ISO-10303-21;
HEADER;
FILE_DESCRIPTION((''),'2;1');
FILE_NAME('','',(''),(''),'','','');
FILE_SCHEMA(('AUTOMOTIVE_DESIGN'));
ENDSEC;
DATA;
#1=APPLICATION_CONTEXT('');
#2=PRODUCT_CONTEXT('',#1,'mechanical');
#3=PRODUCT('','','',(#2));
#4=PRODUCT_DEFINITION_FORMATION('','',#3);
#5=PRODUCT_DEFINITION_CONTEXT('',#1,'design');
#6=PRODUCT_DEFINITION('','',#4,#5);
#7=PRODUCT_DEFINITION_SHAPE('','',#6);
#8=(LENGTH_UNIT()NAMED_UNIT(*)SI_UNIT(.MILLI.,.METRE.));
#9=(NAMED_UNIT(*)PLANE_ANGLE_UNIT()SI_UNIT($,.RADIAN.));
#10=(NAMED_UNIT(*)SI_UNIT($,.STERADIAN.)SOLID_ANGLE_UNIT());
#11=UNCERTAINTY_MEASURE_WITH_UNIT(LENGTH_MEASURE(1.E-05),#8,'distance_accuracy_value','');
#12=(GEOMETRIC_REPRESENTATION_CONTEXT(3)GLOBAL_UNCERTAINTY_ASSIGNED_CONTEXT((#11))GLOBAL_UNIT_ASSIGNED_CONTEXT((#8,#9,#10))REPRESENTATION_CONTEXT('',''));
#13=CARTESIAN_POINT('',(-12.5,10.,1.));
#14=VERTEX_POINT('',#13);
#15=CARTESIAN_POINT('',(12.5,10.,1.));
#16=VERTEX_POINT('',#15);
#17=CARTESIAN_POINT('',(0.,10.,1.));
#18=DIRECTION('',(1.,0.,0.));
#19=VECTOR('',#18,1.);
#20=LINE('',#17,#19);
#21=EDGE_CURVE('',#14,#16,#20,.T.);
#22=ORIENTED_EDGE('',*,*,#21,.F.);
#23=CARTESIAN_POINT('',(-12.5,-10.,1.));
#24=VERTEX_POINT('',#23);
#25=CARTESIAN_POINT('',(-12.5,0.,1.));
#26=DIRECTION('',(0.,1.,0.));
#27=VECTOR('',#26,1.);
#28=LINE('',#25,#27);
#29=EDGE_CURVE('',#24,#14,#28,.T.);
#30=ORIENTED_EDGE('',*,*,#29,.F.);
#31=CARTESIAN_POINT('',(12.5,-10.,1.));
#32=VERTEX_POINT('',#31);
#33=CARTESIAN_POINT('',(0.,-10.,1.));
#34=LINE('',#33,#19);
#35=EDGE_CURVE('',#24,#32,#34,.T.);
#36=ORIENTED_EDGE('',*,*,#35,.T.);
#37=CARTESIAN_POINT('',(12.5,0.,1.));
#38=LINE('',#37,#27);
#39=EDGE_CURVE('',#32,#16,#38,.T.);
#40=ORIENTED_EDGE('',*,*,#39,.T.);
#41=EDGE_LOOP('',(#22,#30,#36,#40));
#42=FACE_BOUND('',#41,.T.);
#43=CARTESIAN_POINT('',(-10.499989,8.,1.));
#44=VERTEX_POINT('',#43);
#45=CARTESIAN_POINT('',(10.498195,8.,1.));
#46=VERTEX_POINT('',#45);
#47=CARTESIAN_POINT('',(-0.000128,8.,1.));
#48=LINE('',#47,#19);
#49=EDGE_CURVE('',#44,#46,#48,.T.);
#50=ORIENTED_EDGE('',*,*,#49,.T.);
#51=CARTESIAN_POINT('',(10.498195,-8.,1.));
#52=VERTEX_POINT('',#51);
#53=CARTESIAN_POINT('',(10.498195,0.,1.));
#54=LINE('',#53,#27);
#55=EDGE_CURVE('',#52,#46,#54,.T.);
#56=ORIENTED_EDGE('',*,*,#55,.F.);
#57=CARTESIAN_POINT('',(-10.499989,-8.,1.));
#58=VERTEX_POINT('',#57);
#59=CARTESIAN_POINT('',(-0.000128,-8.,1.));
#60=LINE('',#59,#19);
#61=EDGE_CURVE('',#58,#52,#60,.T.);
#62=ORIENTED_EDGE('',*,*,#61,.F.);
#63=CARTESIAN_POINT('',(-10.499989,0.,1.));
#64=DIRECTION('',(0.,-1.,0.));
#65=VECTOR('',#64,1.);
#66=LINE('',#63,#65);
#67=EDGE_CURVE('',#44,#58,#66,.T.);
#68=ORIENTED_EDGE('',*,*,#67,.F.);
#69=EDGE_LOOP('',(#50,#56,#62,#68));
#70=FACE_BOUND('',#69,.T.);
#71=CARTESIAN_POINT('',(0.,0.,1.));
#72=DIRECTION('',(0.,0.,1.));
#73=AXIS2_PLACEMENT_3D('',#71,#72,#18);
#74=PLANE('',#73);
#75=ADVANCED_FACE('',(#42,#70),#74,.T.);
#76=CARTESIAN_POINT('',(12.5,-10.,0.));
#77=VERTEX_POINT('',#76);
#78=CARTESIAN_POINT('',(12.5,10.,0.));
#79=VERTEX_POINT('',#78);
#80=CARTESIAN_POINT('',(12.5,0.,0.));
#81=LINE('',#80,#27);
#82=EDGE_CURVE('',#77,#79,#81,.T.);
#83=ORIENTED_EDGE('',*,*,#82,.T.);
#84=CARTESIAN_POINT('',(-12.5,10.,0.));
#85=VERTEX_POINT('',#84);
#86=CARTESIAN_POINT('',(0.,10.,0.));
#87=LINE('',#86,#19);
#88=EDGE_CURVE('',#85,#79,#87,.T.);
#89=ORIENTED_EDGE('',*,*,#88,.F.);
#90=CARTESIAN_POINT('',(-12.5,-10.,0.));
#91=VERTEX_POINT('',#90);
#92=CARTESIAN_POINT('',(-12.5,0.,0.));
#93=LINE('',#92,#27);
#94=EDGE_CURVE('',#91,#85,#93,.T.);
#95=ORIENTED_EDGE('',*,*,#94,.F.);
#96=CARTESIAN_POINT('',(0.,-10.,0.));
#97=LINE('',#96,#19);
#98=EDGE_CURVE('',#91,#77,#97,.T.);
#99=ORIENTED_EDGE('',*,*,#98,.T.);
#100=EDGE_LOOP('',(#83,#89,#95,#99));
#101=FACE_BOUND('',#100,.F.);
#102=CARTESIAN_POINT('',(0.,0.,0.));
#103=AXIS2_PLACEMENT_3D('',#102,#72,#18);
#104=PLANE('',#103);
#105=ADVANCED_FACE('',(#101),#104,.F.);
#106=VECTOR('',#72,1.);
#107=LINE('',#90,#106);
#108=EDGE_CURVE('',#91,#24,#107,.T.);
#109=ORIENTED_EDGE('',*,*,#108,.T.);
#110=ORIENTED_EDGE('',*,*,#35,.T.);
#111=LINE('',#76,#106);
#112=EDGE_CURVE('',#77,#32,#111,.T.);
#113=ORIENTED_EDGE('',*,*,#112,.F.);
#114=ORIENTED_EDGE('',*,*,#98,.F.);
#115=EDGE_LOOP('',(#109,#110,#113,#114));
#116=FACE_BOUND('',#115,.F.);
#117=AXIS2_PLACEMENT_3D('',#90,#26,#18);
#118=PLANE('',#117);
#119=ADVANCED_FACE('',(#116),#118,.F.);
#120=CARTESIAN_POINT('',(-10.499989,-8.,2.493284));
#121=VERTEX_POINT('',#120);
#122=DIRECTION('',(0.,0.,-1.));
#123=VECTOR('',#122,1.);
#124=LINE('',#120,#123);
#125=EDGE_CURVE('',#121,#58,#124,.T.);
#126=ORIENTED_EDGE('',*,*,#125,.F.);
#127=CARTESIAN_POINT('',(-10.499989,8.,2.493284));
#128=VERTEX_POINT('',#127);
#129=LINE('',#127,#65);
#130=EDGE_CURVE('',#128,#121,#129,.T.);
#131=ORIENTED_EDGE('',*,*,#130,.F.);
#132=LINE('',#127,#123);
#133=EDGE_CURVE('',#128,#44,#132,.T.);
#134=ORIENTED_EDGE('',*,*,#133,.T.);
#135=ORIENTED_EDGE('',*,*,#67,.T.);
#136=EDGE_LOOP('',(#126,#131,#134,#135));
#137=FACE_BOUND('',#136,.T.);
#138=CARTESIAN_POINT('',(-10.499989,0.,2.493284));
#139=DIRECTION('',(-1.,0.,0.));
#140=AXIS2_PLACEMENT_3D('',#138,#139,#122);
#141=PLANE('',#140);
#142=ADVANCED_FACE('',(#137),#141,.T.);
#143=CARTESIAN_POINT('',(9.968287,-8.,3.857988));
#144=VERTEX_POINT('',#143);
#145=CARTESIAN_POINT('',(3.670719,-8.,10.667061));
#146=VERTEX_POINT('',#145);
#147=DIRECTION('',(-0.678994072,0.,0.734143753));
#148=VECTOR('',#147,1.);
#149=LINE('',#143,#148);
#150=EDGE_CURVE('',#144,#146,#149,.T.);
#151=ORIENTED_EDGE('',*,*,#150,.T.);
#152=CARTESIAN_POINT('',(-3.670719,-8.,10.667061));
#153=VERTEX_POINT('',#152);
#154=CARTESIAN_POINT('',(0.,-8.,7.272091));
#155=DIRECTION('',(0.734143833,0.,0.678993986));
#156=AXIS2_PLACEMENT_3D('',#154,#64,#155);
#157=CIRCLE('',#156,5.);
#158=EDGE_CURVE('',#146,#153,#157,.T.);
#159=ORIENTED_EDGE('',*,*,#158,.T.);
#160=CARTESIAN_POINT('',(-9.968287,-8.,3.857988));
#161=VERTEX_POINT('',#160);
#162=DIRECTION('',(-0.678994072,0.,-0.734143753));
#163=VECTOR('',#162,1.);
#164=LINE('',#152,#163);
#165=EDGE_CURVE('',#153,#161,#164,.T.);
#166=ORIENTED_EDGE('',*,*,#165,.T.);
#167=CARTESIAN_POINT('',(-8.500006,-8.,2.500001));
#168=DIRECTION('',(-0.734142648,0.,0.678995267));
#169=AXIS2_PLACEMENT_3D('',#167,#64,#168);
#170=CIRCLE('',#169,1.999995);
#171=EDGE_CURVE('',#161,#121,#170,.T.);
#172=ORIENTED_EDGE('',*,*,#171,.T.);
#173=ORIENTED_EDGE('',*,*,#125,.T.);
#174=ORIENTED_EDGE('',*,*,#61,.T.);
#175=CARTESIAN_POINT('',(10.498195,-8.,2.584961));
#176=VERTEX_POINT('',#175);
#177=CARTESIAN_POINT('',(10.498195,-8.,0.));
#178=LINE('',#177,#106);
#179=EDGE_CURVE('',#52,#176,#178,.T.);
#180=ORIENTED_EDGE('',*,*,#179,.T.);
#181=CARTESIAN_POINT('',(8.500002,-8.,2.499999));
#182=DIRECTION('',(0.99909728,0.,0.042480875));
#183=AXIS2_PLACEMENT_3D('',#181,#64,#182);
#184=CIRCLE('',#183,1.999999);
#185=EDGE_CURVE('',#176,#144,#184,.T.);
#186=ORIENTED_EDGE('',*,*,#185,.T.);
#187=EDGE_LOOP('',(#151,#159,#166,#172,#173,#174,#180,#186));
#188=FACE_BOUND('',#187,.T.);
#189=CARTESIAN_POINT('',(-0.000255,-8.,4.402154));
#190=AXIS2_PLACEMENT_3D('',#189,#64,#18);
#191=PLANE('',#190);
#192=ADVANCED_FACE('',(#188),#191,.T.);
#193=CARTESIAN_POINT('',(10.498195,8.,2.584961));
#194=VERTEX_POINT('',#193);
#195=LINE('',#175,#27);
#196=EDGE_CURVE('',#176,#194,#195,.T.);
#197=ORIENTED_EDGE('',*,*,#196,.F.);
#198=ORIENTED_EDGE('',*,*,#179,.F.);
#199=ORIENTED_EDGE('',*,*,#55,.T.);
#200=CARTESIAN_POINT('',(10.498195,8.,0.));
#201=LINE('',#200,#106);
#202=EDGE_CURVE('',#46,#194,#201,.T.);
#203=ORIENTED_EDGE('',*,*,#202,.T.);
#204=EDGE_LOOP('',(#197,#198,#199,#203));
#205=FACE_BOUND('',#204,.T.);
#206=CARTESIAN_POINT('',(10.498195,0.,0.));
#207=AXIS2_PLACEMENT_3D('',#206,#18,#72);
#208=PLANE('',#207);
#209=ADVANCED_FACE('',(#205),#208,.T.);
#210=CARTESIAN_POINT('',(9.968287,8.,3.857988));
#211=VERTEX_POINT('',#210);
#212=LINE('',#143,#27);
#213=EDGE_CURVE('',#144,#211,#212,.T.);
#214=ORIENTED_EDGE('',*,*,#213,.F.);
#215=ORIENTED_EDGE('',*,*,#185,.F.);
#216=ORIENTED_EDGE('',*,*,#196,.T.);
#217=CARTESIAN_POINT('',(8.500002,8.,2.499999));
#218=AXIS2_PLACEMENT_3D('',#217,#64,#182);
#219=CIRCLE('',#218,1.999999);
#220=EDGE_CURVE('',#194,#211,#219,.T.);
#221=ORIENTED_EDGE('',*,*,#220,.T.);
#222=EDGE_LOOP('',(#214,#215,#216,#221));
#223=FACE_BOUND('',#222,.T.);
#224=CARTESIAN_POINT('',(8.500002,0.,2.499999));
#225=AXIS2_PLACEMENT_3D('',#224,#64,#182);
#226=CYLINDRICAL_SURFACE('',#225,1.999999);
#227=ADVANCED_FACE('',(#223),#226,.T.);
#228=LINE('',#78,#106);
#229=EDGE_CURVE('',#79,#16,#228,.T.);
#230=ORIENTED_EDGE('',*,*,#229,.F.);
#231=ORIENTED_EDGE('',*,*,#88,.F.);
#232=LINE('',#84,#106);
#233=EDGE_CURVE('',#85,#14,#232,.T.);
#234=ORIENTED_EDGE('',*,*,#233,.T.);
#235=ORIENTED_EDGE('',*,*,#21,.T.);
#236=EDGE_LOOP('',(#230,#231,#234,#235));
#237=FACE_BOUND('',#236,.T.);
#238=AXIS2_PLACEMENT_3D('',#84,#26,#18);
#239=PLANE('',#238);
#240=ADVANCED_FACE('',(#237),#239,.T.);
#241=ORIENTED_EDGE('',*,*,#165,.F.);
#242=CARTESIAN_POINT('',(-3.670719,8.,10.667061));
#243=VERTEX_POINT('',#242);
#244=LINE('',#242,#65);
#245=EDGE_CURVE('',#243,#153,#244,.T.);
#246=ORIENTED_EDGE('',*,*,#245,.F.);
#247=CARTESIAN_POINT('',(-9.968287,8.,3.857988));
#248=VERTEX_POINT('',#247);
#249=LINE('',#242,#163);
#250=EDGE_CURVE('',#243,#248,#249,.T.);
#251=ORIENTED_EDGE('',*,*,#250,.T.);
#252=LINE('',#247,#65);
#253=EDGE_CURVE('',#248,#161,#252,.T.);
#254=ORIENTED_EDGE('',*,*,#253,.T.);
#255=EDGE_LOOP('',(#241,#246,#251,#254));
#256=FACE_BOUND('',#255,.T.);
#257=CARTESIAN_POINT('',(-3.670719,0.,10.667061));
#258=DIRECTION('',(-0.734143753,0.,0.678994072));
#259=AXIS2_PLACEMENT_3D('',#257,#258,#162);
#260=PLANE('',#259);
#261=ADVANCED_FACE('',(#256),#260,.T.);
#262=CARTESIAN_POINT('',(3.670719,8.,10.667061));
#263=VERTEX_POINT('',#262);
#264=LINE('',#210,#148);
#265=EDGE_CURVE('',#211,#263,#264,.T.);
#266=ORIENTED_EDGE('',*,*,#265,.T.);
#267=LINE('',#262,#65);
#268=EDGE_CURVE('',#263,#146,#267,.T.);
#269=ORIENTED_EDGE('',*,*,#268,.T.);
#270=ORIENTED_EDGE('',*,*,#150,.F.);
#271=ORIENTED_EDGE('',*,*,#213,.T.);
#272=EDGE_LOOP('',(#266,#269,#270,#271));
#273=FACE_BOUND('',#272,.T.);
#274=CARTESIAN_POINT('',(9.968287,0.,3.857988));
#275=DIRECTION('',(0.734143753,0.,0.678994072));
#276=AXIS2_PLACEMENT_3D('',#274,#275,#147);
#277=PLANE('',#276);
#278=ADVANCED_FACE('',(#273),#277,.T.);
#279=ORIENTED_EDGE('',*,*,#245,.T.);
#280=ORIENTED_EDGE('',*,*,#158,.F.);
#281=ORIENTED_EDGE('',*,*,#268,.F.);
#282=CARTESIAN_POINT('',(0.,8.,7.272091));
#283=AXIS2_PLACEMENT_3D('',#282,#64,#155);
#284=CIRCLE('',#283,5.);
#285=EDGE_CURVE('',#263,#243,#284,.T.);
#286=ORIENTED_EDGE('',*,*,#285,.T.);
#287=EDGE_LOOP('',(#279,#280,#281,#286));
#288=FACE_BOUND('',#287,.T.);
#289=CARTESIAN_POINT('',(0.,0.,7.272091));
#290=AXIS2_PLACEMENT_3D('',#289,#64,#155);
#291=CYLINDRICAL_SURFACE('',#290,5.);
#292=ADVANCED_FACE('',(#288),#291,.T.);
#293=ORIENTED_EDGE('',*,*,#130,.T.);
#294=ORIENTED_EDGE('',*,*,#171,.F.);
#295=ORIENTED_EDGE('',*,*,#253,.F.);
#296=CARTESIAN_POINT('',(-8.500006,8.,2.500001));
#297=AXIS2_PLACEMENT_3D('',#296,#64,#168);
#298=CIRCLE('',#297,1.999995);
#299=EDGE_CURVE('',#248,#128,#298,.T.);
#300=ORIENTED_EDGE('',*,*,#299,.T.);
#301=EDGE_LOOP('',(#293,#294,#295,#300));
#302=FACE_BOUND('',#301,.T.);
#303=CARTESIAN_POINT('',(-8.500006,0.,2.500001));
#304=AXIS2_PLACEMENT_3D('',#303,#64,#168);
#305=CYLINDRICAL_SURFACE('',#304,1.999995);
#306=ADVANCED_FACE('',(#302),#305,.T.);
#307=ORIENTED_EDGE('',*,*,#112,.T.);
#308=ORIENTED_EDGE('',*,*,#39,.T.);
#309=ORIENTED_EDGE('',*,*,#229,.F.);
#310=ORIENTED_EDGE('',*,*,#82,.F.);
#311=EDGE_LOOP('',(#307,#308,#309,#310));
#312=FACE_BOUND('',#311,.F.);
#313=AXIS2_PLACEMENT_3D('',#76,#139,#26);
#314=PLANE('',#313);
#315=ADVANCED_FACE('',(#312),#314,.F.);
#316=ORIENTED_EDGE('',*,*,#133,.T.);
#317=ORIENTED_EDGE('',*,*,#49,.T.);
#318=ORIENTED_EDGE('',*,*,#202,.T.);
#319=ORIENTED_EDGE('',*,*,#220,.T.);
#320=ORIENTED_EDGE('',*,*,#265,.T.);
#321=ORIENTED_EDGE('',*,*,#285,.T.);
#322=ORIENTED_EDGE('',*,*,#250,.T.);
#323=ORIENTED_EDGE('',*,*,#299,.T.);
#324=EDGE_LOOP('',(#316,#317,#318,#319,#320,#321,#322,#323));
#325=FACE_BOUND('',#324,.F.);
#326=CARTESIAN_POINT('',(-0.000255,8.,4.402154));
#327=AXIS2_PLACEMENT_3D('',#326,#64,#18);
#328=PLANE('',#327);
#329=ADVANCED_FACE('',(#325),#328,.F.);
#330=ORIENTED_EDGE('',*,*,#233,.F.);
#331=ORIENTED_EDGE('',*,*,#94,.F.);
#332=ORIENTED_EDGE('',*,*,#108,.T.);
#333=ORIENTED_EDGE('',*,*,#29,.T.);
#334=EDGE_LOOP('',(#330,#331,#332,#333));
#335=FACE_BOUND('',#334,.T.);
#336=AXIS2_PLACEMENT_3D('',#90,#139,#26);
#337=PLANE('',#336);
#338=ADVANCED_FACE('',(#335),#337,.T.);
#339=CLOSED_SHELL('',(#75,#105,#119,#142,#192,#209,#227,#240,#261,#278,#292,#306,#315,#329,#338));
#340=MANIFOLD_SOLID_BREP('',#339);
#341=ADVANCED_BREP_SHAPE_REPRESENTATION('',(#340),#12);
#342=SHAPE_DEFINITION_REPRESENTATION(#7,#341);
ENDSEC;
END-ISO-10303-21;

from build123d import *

# Parameters (mm, degrees)
F0_W     = 25
F0_H     = 20
F1_DEPTH = 1
F3_DEPTH = 8


with BuildPart() as f1:
    # F0 (on Top) → F1 (new body)
    with BuildSketch(Plane.XY):
        Rectangle(F0_W, F0_H)
    extrude(amount=F1_DEPTH)

    # F2 (on Front) → F3 (join, symmetric)
    with BuildSketch(Plane.XZ):
        with BuildLine():
            Line((9.968287, 3.857988), (3.670719, 10.667061))
            ThreePointArc((3.670719, 10.667061), (0, 12.272091), (-3.670719, 10.667061))
            Line((-3.670719, 10.667061), (-9.968287, 3.857988))
            ThreePointArc((-9.968287, 3.857988), (-10.363556, 3.226058), (-10.499989, 2.493284))
            Line((-10.499989, 2.493284), (-10.499989, 0))
            Line((-10.499989, 0), (10.498195, 0))
            Line((10.498195, 0), (10.498195, 2.415039))
            Line((10.498195, 2.415039), (10.498195, 2.584961))
            ThreePointArc((10.498195, 2.584961), (10.346422, 3.268587), (9.968287, 3.857988))
        make_face()
    extrude(amount=F3_DEPTH, both=True)


solid = f1.part
